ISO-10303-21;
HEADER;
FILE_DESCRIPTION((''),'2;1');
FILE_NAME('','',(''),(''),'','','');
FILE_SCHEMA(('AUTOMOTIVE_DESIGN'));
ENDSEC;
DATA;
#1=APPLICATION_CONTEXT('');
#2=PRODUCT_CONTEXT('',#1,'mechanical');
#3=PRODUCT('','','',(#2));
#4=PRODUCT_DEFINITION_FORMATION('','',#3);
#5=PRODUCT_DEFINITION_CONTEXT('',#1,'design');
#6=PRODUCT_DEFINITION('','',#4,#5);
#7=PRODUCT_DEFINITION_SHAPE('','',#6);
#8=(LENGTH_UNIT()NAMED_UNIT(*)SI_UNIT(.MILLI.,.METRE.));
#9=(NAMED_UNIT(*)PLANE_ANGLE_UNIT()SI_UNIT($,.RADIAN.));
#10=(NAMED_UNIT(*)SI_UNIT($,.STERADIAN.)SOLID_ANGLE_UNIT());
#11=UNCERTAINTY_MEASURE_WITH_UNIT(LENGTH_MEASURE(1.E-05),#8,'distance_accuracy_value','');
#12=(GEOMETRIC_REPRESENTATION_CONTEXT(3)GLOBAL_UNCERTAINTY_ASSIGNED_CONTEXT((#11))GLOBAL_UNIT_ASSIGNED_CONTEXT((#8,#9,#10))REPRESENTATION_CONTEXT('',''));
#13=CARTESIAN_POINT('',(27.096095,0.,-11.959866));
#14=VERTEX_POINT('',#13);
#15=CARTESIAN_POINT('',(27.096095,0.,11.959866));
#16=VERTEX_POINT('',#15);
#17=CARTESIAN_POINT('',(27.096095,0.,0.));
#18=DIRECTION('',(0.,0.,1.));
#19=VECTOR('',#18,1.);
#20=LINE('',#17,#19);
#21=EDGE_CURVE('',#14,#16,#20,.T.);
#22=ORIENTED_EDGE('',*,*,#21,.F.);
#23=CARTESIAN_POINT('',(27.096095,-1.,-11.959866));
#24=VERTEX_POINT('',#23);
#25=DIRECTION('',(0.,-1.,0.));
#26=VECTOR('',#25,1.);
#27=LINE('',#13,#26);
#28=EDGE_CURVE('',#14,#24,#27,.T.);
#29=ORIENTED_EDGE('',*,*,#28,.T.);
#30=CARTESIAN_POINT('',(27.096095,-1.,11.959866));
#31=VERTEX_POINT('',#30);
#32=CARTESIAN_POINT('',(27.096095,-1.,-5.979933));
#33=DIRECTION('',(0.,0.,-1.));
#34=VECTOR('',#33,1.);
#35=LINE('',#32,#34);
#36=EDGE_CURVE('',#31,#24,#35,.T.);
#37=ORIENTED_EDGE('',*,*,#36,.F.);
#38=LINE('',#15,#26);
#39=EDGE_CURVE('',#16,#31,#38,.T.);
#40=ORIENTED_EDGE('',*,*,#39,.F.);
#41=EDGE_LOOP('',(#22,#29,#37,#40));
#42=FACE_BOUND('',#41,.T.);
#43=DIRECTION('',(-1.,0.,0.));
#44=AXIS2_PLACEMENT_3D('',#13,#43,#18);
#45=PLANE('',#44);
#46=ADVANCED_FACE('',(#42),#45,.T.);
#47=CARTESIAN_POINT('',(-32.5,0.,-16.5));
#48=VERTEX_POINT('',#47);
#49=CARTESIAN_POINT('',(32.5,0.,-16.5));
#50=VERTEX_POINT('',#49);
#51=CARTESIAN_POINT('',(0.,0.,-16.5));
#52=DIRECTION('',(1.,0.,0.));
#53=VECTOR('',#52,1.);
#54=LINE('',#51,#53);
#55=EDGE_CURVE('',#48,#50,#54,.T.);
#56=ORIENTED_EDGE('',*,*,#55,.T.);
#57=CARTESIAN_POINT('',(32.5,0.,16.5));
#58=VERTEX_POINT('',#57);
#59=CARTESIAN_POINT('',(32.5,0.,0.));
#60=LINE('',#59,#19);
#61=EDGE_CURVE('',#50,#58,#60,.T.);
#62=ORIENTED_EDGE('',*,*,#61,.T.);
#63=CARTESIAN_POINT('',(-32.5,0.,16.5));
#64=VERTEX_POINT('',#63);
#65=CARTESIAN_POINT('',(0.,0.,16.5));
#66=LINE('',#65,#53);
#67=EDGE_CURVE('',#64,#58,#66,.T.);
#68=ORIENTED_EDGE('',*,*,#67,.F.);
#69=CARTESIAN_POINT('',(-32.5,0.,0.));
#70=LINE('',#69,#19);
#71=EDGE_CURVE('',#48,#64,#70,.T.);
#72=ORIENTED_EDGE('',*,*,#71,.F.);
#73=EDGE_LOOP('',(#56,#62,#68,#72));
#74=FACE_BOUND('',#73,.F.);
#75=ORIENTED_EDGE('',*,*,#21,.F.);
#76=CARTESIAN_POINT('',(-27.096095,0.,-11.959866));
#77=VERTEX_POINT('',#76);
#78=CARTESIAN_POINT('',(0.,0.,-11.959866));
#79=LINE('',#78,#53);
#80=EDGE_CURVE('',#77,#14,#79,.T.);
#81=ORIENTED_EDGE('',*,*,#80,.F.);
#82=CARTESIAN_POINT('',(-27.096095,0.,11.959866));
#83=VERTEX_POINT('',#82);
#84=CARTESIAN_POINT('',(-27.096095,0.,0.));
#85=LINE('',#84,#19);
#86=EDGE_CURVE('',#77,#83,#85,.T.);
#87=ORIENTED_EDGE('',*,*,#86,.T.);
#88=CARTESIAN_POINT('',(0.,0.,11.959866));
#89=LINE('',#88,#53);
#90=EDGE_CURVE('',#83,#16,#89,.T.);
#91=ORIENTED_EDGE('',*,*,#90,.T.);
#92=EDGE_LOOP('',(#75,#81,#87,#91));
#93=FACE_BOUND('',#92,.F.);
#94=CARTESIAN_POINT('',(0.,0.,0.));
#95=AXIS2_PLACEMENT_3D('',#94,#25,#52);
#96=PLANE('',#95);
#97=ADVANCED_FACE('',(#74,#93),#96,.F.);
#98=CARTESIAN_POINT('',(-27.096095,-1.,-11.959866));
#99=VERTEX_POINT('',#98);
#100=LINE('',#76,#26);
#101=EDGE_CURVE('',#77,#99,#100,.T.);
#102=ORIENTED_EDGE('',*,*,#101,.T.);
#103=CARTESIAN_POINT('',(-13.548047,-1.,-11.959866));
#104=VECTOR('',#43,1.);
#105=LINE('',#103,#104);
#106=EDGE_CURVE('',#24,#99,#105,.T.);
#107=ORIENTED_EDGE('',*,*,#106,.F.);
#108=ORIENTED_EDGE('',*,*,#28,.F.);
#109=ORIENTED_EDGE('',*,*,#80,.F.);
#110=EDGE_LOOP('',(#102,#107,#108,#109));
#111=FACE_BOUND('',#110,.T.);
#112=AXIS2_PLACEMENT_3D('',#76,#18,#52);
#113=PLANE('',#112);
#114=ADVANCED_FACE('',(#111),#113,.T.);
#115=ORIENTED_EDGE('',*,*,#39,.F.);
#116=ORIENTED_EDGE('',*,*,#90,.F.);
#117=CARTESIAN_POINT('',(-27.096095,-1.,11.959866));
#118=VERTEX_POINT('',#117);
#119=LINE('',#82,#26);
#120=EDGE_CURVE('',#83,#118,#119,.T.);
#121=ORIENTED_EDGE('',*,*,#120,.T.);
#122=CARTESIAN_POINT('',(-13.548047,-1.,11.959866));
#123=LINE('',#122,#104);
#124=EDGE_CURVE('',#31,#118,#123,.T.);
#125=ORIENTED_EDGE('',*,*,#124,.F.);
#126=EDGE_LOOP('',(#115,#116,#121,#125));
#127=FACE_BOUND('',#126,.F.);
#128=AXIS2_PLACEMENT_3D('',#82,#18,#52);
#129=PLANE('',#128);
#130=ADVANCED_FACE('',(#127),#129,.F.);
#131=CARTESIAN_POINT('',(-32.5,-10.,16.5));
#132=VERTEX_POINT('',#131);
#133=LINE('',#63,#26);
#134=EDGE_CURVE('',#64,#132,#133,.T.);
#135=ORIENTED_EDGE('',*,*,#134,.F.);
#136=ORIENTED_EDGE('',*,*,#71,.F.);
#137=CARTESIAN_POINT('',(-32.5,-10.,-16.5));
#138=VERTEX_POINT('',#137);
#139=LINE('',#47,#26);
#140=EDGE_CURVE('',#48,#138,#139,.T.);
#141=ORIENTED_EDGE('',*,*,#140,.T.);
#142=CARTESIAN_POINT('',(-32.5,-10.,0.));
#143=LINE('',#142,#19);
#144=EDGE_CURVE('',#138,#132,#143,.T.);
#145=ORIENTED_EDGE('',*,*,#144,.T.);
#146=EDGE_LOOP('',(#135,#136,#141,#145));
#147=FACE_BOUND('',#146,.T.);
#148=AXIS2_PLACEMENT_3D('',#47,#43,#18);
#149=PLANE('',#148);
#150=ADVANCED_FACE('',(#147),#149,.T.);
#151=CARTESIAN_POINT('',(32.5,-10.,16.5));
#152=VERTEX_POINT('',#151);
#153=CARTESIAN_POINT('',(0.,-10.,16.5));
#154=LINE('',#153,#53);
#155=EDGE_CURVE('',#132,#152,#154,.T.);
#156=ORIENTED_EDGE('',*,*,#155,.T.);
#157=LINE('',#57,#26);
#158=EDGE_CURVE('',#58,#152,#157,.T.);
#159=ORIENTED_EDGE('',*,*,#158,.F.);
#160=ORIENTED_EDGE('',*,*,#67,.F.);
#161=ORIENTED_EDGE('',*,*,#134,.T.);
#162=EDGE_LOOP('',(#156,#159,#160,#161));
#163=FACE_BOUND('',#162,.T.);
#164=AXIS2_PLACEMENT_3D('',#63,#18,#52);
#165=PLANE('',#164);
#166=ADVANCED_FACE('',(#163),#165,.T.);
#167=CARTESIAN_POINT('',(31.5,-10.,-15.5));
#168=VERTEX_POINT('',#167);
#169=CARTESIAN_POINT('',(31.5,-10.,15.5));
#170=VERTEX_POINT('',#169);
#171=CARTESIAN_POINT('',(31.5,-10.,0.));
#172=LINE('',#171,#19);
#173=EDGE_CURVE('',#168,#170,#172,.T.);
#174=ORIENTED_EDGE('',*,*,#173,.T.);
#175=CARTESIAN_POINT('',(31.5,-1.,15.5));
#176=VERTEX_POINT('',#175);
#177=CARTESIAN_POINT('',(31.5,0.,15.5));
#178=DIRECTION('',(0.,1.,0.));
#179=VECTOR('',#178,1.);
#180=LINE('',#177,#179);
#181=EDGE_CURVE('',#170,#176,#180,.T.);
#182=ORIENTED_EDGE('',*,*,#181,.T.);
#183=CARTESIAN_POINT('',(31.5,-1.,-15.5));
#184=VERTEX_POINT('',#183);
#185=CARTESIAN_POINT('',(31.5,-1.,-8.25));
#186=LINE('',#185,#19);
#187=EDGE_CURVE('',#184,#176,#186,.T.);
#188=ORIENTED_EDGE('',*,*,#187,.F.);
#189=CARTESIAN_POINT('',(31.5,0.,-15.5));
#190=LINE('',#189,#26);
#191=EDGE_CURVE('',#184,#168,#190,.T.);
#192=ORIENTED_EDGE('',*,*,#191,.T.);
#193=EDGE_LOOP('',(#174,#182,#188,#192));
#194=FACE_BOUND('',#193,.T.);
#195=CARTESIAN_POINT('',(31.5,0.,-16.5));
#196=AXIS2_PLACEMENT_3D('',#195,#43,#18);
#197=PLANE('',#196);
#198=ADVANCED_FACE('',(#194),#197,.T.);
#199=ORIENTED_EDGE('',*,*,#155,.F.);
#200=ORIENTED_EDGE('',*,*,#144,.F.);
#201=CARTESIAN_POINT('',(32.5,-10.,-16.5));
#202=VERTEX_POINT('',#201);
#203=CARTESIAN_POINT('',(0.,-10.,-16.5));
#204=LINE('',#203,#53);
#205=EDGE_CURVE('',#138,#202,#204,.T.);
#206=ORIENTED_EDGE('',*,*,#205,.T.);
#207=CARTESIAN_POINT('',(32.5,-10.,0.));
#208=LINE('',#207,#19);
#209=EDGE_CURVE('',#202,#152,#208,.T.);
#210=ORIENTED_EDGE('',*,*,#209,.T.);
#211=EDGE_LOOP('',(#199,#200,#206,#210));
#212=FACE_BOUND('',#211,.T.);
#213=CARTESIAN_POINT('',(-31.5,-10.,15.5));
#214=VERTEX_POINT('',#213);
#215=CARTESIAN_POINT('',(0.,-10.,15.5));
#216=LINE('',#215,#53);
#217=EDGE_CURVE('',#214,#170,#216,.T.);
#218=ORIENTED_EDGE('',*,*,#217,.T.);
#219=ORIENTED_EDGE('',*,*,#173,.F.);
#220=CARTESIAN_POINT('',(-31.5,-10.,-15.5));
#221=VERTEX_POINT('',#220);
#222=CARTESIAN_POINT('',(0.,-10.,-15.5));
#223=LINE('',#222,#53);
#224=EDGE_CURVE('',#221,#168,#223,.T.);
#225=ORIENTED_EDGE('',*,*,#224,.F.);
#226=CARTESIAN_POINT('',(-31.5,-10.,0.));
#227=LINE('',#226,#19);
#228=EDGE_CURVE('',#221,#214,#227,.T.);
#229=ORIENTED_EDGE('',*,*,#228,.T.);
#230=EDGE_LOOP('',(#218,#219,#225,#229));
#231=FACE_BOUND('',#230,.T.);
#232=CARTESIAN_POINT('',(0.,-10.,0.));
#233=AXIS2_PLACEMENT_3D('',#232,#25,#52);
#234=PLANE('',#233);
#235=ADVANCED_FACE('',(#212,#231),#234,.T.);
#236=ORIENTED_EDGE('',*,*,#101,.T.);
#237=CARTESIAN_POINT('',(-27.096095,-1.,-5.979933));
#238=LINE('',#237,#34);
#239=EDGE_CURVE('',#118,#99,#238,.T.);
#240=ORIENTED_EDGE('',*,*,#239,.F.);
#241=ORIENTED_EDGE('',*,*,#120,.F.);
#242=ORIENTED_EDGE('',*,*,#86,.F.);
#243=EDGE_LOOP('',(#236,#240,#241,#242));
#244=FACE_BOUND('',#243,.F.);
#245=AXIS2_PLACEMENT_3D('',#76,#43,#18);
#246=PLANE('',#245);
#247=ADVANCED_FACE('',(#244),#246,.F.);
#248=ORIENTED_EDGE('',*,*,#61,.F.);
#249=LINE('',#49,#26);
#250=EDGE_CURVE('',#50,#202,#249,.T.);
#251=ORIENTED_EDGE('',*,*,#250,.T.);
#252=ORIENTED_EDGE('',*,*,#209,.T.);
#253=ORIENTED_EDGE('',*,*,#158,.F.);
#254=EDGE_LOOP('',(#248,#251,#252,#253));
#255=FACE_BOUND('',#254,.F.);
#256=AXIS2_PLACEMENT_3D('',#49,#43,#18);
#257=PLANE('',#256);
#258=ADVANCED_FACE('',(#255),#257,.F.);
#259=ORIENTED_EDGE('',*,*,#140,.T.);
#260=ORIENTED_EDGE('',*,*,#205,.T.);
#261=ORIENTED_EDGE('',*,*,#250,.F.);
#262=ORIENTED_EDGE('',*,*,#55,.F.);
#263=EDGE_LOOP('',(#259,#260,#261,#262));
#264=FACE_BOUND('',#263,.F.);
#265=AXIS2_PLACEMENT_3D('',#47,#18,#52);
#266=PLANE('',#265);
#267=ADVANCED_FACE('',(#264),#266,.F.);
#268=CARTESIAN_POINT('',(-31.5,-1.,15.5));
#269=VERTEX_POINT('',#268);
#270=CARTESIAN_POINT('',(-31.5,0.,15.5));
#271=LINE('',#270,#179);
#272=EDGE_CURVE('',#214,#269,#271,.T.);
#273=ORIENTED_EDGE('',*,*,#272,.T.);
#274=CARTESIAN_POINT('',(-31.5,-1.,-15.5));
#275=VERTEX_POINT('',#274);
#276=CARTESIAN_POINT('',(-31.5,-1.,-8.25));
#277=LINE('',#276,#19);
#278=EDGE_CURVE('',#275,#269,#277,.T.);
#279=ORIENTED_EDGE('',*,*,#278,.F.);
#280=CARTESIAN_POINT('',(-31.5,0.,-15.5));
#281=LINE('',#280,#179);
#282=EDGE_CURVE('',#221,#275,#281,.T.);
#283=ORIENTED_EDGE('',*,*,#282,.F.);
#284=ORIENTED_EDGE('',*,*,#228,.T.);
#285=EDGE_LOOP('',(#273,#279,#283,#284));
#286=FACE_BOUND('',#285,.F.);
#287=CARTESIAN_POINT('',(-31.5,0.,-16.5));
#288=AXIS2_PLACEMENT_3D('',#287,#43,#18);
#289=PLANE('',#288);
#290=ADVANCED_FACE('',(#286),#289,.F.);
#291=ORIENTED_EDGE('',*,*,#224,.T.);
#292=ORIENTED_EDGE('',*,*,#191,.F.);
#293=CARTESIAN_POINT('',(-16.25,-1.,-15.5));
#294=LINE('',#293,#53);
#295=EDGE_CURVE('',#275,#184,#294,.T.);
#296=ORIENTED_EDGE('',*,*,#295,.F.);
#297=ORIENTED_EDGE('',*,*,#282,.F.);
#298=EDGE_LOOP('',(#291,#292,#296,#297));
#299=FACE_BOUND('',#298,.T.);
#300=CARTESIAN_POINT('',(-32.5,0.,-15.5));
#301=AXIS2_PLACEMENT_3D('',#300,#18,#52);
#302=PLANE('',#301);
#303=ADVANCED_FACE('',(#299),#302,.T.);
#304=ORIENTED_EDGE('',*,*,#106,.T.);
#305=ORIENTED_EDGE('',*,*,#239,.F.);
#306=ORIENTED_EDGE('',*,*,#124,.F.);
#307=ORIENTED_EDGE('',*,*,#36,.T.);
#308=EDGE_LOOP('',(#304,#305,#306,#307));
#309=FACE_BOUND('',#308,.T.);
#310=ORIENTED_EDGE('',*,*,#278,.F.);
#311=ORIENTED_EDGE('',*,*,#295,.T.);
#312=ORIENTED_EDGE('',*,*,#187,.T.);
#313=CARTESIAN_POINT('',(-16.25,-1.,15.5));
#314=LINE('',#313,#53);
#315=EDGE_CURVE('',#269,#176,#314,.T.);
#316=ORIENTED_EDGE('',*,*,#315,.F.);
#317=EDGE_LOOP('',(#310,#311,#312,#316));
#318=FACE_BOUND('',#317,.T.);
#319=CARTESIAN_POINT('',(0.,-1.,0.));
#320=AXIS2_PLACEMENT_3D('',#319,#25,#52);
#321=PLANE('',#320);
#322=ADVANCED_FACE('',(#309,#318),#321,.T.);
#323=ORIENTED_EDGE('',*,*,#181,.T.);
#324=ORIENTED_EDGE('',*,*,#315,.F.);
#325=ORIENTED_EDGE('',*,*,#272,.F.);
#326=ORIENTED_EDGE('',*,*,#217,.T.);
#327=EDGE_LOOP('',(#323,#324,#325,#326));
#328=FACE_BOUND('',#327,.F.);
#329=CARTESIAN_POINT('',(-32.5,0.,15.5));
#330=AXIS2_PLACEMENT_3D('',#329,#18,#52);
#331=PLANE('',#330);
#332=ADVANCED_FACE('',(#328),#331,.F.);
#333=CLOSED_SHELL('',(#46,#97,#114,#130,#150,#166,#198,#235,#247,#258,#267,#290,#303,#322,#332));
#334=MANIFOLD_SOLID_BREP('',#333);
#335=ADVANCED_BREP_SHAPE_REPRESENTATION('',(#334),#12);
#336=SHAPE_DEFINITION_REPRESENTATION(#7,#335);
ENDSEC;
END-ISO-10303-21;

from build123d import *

# Parameters (mm, degrees)
F0_W     = 65
F0_H     = 33
F0_W_2   = 54.1921891272
F0_H_2   = 23.9197313786
F1_DEPTH = 10
F2_T     = -1
F3_DEPTH = 73.8002602011


with BuildPart() as f1:
    # F0 (on Front) → F1 (new body)
    with BuildSketch(Plane.XZ):
        Rectangle(F0_W, F0_H)
        Rectangle(F0_W_2, F0_H_2, mode=Mode.SUBTRACT)
        Rectangle(F0_W_2, F0_H_2)
    extrude(amount=F1_DEPTH)

    # F2
    f2_openings = [f1.faces().sort_by_distance(p)[0] for p in [
        (0, -10, 0),
    ]]
    offset(amount=F2_T, openings=f2_openings)

    # F0 (on Front) → F3 (cut)
    with BuildSketch(Plane.XZ):
        Rectangle(F0_W_2, F0_H_2)
    extrude(amount=F3_DEPTH, mode=Mode.SUBTRACT)


solid = f1.part
